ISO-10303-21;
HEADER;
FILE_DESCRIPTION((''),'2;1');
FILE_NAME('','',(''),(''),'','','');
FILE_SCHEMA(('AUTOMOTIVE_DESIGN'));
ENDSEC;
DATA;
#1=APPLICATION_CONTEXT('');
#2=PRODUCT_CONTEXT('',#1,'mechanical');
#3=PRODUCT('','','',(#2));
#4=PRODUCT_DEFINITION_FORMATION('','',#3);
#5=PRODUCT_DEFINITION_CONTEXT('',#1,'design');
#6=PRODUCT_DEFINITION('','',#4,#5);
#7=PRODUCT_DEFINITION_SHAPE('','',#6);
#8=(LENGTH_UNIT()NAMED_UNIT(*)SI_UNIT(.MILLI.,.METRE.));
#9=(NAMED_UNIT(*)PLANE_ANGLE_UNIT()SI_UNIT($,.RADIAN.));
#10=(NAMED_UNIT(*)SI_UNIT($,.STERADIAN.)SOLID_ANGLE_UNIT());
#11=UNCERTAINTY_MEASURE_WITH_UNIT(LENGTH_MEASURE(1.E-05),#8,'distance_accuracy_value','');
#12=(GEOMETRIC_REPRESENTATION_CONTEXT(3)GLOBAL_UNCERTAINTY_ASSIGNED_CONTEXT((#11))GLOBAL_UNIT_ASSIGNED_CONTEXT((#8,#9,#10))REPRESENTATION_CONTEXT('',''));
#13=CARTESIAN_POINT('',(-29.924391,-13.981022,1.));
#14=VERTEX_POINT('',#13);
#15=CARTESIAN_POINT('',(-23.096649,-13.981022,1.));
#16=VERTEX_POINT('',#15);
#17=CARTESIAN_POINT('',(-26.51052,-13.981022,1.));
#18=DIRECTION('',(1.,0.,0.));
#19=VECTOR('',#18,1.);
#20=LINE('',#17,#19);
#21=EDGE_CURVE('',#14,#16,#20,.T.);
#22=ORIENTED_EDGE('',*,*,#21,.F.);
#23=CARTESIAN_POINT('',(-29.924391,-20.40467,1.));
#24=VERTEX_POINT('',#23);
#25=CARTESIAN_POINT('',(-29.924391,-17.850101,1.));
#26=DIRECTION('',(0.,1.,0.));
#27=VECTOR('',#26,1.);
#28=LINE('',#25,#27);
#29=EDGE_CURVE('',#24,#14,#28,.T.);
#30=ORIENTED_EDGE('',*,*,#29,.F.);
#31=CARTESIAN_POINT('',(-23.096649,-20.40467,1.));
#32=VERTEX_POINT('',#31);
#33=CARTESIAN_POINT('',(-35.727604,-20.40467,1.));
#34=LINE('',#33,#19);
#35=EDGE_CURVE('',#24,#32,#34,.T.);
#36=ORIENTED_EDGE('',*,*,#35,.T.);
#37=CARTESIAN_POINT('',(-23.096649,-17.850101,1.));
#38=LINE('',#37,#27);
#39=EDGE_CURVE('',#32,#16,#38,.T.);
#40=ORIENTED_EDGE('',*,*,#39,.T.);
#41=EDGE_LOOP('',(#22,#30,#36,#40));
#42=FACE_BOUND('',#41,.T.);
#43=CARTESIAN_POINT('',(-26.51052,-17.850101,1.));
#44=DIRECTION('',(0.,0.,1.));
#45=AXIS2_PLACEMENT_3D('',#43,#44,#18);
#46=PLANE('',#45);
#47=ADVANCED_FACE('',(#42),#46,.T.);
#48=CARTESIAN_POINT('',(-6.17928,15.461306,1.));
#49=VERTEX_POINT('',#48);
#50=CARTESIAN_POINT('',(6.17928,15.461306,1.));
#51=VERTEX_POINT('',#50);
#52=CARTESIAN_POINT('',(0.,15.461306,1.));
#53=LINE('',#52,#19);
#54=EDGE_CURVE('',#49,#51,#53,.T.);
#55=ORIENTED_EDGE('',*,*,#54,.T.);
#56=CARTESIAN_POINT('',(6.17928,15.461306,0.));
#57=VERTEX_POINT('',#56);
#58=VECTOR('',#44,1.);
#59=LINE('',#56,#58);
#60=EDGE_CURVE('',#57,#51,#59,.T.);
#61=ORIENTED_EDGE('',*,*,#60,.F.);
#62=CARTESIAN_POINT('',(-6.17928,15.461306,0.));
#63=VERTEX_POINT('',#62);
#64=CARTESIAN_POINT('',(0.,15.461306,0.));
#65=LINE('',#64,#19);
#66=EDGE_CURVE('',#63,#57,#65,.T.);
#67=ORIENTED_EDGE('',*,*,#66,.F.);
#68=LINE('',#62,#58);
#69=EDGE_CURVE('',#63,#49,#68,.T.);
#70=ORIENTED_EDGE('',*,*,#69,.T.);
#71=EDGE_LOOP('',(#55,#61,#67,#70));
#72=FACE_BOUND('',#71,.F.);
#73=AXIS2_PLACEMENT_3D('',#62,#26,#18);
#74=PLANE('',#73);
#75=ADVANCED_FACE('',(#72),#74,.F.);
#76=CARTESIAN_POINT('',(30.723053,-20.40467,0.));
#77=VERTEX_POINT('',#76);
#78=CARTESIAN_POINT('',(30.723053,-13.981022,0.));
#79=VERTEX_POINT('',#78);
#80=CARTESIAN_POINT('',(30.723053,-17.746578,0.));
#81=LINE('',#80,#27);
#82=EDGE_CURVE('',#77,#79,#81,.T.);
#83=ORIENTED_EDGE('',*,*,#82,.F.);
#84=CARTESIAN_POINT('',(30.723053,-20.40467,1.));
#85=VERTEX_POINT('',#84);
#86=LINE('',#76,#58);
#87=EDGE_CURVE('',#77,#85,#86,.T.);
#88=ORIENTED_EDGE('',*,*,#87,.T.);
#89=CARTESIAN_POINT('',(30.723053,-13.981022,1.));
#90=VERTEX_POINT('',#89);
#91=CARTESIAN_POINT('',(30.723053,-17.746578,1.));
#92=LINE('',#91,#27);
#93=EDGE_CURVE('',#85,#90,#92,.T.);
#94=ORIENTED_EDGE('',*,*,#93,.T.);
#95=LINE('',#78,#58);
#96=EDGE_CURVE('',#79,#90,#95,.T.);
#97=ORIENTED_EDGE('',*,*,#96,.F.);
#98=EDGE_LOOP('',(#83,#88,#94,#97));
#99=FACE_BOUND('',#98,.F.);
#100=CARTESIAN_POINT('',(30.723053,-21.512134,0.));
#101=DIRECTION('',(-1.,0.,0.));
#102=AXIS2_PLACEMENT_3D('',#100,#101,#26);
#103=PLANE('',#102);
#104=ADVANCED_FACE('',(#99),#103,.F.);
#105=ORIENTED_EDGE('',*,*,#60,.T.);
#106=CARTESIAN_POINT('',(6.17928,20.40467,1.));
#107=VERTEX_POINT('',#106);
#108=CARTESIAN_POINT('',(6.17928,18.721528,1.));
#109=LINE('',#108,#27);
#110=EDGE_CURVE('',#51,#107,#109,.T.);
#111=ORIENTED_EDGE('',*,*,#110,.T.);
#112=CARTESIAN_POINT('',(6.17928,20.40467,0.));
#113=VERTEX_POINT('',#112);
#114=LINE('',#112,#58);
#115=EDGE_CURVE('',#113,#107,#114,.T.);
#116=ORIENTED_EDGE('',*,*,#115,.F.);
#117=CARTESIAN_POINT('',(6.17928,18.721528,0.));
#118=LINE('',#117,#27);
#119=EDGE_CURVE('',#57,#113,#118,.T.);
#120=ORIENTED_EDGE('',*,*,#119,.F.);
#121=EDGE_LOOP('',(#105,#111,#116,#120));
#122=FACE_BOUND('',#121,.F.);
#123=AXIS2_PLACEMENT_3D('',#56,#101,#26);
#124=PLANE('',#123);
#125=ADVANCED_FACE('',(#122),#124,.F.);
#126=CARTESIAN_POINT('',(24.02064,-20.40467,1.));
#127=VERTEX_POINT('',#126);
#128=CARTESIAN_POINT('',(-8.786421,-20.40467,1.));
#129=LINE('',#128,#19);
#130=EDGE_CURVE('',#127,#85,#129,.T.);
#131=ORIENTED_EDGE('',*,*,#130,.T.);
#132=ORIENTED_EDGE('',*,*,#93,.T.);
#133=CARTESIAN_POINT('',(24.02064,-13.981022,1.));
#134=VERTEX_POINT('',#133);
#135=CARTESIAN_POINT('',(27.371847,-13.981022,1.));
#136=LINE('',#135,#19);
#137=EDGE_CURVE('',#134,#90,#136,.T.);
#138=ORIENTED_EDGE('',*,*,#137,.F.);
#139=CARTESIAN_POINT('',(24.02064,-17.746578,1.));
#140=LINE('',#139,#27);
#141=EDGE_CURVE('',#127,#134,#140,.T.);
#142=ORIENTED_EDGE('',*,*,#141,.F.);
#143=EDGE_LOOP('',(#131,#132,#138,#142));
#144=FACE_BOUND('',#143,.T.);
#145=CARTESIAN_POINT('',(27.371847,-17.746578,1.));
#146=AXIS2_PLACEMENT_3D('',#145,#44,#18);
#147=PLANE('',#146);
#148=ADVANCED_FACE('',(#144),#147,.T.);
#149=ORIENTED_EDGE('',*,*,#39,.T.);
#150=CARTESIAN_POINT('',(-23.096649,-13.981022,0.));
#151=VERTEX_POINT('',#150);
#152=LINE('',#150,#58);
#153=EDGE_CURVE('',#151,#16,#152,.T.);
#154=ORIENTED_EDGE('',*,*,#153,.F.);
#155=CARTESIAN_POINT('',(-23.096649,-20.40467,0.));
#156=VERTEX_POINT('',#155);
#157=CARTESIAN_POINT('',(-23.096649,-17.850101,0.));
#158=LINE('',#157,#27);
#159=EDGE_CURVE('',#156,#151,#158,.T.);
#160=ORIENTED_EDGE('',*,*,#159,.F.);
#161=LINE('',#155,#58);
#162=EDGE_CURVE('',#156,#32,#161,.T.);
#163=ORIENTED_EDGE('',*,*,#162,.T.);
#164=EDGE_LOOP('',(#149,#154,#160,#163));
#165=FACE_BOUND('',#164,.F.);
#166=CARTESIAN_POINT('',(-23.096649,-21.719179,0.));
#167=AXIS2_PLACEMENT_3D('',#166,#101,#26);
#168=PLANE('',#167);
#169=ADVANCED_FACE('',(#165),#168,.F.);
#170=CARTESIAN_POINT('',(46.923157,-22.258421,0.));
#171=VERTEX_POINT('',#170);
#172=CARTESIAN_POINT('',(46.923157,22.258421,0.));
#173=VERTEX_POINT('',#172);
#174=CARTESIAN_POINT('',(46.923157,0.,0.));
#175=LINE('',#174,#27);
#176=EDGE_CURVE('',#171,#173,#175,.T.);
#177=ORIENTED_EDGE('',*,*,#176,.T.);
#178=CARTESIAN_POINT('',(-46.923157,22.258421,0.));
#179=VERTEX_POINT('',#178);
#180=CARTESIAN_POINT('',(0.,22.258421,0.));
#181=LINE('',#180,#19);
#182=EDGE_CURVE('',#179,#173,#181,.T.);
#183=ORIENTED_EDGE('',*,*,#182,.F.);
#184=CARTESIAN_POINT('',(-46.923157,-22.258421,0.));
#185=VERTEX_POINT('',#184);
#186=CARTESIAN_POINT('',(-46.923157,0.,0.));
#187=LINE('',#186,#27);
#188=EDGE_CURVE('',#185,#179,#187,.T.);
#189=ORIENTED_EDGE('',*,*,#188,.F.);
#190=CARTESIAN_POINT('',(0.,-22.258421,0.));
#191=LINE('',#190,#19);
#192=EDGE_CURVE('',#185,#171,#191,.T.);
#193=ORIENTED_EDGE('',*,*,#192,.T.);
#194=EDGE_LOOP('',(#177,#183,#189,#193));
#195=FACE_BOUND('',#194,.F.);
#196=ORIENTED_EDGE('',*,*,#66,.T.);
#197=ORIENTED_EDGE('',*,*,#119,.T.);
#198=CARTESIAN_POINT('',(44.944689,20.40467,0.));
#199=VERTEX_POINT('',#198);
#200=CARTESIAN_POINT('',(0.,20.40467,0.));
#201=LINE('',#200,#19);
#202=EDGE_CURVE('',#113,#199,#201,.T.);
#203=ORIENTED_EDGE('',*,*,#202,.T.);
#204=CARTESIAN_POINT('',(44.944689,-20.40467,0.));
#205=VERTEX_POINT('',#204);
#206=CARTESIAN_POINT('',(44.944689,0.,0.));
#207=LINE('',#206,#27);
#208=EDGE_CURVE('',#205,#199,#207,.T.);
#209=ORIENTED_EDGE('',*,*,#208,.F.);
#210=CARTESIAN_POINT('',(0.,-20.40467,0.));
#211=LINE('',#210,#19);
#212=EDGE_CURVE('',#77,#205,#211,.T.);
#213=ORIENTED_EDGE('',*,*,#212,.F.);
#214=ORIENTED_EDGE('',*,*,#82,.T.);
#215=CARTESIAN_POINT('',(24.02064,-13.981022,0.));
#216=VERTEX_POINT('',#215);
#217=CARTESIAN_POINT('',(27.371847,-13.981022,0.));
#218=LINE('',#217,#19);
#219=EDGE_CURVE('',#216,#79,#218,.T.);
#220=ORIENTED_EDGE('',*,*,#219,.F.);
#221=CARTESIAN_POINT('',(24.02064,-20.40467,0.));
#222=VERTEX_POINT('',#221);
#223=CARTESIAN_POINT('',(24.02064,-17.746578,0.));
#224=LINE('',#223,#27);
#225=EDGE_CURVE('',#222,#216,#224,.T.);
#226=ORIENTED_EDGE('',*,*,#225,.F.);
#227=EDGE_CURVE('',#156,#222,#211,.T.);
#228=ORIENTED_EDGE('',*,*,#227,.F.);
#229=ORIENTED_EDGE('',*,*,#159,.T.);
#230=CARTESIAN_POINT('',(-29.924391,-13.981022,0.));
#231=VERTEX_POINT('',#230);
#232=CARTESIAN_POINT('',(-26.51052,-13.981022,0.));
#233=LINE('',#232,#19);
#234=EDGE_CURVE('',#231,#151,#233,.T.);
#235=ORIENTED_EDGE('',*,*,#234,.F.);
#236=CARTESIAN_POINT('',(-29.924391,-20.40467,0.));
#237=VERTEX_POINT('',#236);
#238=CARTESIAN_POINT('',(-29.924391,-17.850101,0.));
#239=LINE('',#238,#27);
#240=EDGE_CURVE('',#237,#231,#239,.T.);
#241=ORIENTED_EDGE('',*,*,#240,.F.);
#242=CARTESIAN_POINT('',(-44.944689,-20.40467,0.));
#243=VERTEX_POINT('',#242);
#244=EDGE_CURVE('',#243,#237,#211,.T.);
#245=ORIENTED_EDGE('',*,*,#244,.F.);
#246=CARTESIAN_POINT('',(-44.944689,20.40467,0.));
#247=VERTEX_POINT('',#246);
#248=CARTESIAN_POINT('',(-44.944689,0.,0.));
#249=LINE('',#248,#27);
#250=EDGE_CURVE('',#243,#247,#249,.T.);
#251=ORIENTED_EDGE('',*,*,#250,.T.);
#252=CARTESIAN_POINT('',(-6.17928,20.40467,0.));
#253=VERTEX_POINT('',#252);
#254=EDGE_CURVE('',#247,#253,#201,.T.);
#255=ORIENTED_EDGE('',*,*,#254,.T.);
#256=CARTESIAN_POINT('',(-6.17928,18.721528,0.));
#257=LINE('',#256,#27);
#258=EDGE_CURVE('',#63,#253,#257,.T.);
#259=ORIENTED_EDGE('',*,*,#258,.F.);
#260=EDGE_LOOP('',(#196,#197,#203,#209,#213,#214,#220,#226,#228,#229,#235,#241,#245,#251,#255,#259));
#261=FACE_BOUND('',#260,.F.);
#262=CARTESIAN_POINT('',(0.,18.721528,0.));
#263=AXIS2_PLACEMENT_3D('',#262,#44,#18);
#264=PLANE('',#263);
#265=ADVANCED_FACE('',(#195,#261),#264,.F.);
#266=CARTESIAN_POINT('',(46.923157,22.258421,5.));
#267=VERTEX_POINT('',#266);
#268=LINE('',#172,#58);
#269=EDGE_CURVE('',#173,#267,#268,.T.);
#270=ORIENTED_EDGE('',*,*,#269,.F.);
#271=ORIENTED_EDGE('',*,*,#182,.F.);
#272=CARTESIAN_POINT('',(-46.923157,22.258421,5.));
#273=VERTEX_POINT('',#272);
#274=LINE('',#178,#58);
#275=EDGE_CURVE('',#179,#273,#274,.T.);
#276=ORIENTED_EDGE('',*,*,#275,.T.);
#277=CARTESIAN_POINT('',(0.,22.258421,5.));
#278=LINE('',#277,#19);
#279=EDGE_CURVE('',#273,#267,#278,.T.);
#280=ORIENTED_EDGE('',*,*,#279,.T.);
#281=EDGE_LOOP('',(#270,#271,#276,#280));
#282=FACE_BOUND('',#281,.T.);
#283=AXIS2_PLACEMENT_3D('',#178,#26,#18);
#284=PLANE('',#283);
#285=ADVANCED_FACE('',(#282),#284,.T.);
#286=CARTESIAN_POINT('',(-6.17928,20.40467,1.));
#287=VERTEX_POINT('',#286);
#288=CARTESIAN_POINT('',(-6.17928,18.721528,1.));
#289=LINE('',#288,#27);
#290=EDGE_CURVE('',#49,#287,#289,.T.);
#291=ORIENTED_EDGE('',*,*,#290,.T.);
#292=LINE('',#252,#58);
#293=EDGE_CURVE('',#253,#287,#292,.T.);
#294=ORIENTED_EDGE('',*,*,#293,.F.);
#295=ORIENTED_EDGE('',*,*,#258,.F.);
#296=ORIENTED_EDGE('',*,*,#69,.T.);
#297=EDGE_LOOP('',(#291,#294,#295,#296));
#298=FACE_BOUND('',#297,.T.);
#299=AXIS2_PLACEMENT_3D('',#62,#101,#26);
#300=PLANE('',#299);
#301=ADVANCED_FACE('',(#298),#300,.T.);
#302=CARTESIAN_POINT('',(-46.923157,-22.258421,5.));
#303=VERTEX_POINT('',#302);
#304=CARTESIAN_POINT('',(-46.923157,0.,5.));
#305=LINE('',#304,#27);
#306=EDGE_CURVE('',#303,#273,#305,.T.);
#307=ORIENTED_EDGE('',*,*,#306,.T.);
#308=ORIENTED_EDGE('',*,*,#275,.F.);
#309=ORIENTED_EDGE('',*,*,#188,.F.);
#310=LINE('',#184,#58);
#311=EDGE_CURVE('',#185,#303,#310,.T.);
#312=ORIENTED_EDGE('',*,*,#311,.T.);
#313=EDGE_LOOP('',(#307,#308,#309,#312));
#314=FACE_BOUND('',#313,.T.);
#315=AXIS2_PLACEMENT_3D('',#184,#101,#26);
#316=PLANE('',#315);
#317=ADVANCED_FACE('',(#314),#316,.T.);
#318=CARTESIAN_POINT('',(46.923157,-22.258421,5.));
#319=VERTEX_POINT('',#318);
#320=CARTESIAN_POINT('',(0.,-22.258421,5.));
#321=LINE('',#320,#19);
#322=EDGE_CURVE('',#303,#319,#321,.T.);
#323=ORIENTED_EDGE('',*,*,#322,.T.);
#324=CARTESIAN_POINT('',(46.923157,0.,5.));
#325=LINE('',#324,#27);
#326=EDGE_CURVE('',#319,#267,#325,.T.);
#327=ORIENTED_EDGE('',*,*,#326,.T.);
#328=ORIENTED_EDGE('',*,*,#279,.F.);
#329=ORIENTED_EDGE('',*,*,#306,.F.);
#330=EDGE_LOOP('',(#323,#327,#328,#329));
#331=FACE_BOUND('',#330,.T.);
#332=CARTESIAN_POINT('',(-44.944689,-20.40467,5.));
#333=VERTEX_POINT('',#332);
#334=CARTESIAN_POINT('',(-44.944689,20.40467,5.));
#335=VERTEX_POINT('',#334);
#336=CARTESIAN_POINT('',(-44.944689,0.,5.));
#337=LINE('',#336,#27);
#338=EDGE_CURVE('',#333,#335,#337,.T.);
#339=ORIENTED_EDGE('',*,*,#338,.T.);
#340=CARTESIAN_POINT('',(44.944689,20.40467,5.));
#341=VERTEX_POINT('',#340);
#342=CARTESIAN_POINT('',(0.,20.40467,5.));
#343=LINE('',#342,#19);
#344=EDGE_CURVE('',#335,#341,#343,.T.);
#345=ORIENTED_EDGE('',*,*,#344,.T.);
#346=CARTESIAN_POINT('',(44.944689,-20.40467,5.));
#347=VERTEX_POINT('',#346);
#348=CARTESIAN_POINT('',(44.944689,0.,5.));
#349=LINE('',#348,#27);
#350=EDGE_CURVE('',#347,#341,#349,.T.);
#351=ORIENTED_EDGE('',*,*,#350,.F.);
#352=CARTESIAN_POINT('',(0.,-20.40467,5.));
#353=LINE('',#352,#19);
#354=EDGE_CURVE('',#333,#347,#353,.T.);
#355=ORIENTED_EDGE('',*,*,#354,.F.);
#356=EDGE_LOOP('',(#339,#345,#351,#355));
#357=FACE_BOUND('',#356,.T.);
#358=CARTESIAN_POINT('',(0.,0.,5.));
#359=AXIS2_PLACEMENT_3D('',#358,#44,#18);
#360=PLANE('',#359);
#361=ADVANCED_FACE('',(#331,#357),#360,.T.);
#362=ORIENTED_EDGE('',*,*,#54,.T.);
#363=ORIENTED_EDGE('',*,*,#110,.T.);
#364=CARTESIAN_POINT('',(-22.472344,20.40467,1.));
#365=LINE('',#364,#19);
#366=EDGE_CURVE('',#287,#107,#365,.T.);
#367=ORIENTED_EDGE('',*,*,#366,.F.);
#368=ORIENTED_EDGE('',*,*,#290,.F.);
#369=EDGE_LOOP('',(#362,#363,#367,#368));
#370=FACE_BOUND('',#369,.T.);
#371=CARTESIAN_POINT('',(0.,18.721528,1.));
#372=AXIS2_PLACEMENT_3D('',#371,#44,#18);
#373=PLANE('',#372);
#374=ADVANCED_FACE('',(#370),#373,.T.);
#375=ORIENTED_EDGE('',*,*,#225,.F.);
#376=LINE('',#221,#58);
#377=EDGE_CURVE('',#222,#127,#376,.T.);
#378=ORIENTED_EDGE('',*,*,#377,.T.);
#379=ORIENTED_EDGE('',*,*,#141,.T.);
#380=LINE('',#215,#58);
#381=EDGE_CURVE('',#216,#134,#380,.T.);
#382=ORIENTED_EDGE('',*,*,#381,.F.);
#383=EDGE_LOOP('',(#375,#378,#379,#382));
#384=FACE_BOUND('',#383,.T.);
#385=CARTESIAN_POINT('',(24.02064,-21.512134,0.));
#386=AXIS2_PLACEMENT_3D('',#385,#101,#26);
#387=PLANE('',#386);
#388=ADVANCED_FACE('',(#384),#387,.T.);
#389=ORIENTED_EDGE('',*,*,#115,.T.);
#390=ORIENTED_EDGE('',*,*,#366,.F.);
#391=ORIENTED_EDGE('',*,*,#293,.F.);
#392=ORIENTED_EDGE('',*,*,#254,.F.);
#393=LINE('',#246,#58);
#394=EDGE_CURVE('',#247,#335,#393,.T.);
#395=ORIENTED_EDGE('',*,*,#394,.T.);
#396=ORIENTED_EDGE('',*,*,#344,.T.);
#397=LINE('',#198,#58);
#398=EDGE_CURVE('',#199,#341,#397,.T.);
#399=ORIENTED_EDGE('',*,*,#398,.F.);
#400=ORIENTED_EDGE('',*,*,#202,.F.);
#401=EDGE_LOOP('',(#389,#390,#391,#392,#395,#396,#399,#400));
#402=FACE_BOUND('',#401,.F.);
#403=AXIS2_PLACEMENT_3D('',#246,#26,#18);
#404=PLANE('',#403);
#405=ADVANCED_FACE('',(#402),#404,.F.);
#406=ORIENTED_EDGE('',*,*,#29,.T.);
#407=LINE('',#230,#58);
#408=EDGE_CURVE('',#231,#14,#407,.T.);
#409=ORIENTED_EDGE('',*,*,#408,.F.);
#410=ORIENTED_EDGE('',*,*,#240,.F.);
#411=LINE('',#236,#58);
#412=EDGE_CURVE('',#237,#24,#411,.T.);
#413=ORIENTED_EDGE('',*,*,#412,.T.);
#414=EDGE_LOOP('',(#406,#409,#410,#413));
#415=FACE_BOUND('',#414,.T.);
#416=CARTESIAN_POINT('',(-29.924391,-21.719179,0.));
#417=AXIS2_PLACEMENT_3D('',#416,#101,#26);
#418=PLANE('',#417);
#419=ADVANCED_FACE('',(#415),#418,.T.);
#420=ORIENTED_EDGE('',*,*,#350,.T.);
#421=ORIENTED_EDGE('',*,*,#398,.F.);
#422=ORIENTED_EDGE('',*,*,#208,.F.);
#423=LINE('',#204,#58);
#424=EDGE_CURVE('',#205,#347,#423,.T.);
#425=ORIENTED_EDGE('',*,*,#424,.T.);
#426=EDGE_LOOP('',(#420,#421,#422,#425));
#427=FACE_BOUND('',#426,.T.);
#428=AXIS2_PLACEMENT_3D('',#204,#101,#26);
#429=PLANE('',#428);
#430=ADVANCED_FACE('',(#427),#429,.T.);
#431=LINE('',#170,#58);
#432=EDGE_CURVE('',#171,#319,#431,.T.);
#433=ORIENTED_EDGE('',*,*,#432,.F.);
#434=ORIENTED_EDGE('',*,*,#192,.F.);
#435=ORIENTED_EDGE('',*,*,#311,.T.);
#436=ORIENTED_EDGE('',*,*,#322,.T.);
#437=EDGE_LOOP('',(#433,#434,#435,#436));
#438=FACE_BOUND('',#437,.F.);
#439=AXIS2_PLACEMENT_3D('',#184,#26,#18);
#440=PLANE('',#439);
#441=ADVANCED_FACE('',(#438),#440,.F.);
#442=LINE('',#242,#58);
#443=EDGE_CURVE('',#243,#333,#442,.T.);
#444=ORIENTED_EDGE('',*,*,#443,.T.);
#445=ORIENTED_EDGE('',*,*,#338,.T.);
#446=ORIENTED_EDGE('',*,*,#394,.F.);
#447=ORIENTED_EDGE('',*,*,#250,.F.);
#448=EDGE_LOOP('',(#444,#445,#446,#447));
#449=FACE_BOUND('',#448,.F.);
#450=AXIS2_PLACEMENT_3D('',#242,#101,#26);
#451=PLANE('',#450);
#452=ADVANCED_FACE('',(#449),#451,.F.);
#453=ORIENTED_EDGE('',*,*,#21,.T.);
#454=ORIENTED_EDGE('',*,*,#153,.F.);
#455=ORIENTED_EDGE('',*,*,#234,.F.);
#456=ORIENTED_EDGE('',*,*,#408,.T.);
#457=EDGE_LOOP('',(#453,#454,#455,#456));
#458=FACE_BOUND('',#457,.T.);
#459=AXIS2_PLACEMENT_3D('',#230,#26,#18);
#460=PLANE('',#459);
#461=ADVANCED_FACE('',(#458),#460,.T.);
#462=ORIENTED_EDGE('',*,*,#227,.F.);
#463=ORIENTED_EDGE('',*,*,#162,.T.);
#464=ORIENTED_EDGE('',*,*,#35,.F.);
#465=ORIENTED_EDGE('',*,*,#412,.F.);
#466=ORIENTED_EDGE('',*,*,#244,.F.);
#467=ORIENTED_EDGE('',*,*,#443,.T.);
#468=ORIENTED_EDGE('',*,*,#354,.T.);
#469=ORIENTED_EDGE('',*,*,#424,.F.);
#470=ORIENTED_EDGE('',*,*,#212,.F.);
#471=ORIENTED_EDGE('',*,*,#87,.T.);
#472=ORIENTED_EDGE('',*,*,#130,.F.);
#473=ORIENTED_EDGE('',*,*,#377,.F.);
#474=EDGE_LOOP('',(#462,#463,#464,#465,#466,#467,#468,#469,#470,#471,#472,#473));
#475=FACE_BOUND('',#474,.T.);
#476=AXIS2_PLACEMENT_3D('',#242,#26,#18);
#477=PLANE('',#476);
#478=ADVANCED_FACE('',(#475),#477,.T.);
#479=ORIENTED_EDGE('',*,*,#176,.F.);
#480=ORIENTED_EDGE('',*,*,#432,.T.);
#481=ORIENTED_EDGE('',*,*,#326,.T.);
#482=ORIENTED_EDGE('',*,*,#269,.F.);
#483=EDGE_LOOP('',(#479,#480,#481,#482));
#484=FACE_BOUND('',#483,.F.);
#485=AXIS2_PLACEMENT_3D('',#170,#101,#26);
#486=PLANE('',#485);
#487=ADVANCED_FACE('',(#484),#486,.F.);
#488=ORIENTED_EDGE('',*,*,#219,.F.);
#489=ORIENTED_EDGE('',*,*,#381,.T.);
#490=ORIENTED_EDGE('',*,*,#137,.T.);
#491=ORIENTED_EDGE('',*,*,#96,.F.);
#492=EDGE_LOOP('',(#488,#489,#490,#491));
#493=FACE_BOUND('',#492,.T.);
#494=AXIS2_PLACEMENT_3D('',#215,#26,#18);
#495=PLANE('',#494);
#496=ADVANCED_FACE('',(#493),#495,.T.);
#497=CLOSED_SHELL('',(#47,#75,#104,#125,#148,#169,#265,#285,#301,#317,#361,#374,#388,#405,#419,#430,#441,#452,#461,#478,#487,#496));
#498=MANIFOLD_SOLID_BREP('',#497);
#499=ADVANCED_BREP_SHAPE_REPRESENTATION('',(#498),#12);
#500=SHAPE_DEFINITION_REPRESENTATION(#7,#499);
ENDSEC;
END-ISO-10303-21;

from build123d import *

# Parameters (mm, degrees)
F0_W     = 93.846314
F0_H     = 44.516842
F0_W_2   = 89.889378
F0_H_2   = 40.80934
F1_DEPTH = 5
F2_W     = 12.35856
F2_H     = 6.520443
F2_W_2   = 6.827742
F2_H_2   = 7.738157
F2_W_3   = 6.702413
F2_H_3   = 7.531111
F3_DEPTH = 1


with BuildPart() as f1:
    # F0 (on Top) → F1 (new body)
    with BuildSketch(Plane.XY):
        Rectangle(F0_W, F0_H)
        Rectangle(F0_W_2, F0_H_2, mode=Mode.SUBTRACT)
    extrude(amount=F1_DEPTH)

    # F2 (on Top) → F3 (join)
    with BuildSketch(Plane.XY):
        with Locations((0, 18.721528)):
            Rectangle(F2_W, F2_H)
        with Locations((-26.51052, -17.850101)):
            Rectangle(F2_W_2, F2_H_2)
        with Locations((27.371847, -17.746578)):
            Rectangle(F2_W_3, F2_H_3)
    extrude(amount=F3_DEPTH)


solid = f1.part
